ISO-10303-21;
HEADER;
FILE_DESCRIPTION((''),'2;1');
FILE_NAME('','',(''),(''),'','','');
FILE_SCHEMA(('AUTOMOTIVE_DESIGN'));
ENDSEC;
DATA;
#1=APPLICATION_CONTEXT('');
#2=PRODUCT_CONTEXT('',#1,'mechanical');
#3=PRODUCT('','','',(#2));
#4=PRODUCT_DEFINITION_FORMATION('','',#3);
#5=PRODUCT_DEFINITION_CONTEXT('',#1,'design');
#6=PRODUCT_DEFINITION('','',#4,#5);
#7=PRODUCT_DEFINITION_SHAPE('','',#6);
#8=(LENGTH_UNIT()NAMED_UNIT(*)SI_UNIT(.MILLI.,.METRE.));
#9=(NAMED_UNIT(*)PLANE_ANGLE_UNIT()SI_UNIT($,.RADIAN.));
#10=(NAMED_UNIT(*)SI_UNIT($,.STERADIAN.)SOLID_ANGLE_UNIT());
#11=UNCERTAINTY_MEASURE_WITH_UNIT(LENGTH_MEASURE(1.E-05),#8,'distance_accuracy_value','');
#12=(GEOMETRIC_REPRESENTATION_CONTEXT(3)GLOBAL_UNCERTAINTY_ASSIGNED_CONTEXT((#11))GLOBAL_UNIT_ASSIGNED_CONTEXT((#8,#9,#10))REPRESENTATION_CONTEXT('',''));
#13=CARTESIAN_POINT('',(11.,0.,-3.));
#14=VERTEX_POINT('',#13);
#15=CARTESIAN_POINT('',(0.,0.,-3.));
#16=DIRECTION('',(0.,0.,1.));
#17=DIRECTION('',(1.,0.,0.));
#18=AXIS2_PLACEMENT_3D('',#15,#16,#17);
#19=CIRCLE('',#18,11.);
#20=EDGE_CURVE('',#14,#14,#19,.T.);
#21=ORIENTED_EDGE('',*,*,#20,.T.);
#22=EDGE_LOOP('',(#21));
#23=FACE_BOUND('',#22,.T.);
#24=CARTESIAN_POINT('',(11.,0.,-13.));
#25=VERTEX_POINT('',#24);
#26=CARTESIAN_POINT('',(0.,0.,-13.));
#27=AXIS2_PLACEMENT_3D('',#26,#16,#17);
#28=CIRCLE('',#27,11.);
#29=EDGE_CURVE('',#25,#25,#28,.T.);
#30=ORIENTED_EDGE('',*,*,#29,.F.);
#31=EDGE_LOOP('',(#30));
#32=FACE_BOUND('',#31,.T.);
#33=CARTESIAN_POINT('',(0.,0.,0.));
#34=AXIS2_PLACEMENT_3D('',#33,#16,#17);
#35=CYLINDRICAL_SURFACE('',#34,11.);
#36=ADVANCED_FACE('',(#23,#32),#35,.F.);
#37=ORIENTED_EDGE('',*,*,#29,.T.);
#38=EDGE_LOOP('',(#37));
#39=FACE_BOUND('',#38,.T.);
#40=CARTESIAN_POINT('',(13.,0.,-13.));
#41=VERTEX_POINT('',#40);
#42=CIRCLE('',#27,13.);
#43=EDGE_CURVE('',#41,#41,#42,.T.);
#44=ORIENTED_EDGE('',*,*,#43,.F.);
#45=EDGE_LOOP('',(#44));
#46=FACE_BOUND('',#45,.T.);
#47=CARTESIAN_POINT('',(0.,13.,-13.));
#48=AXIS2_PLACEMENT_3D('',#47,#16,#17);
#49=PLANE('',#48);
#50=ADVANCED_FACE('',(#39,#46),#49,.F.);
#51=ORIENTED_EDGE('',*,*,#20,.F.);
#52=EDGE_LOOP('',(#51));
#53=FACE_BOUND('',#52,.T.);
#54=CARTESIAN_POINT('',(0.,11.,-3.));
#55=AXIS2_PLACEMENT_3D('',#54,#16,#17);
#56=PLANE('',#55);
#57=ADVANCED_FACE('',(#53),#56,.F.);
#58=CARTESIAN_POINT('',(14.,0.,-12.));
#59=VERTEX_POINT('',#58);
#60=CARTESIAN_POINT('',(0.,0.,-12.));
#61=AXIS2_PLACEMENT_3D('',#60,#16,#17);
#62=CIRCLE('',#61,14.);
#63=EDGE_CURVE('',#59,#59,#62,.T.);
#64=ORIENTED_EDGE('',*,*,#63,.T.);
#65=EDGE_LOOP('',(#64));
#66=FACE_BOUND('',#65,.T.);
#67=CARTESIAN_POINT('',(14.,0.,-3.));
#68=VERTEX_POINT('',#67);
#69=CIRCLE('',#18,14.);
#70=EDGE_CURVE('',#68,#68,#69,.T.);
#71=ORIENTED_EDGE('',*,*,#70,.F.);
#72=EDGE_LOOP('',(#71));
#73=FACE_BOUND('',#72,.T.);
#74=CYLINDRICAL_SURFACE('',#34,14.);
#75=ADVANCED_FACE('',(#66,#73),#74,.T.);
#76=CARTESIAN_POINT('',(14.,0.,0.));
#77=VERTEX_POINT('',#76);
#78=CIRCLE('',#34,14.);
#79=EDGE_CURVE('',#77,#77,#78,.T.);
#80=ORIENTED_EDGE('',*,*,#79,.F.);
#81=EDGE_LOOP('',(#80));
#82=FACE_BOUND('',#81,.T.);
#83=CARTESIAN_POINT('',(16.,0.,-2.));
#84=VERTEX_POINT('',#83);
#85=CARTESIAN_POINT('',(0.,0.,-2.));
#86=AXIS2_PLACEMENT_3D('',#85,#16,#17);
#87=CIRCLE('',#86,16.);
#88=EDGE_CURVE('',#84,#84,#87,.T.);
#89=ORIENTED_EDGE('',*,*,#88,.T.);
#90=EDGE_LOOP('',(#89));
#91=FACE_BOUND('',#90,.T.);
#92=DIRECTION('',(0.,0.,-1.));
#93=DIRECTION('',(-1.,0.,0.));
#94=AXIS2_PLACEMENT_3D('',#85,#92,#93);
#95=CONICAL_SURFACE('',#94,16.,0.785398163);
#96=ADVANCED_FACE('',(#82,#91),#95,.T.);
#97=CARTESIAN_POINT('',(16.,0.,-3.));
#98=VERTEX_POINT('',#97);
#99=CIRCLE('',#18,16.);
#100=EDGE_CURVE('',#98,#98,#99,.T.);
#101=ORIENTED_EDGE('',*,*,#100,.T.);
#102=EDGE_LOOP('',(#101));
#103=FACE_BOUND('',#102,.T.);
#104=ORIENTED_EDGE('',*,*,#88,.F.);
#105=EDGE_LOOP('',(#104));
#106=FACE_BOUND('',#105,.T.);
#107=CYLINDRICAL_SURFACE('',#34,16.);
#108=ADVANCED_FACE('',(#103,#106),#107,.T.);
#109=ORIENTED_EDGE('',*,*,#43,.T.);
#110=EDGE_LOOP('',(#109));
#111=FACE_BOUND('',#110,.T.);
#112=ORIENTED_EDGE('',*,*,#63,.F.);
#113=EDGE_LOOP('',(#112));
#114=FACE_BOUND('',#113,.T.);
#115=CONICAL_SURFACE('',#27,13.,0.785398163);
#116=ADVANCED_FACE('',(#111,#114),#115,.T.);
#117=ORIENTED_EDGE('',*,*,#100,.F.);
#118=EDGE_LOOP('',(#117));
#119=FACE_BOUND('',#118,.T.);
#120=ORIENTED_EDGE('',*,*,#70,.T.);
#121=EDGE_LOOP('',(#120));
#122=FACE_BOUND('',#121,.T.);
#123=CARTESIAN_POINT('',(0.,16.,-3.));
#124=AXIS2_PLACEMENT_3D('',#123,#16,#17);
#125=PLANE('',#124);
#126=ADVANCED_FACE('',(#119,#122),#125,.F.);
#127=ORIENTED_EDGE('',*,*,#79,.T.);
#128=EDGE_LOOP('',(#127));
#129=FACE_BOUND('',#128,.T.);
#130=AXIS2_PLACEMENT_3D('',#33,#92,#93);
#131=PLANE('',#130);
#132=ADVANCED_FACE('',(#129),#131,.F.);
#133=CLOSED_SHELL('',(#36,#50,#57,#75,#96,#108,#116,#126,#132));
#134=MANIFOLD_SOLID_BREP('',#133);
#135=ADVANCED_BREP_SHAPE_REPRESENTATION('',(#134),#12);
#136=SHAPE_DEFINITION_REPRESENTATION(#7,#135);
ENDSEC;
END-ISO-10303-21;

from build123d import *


with BuildPart() as part:
    # Sketch1 → Revolve1 (revolve)
    with BuildSketch(Plane(origin=(0, 0, 0), x_dir=(0, 0, -1), z_dir=(1, 0, 0)), mode=Mode.PRIVATE) as revolve1_sk:
        Polygon((0, 0), (0, 14), (2, 16), (3, 16), (3, 14), (12, 14), (13, 13), (13, 11), (3, 11), (3, 0), align=None)
    revolve(revolve1_sk.sketch.rotate(Axis((0, 0, 0), (0, 0, -1)), 90), axis=Axis((0, 0, 0), (0, 0, -1)))


solid = part.part
